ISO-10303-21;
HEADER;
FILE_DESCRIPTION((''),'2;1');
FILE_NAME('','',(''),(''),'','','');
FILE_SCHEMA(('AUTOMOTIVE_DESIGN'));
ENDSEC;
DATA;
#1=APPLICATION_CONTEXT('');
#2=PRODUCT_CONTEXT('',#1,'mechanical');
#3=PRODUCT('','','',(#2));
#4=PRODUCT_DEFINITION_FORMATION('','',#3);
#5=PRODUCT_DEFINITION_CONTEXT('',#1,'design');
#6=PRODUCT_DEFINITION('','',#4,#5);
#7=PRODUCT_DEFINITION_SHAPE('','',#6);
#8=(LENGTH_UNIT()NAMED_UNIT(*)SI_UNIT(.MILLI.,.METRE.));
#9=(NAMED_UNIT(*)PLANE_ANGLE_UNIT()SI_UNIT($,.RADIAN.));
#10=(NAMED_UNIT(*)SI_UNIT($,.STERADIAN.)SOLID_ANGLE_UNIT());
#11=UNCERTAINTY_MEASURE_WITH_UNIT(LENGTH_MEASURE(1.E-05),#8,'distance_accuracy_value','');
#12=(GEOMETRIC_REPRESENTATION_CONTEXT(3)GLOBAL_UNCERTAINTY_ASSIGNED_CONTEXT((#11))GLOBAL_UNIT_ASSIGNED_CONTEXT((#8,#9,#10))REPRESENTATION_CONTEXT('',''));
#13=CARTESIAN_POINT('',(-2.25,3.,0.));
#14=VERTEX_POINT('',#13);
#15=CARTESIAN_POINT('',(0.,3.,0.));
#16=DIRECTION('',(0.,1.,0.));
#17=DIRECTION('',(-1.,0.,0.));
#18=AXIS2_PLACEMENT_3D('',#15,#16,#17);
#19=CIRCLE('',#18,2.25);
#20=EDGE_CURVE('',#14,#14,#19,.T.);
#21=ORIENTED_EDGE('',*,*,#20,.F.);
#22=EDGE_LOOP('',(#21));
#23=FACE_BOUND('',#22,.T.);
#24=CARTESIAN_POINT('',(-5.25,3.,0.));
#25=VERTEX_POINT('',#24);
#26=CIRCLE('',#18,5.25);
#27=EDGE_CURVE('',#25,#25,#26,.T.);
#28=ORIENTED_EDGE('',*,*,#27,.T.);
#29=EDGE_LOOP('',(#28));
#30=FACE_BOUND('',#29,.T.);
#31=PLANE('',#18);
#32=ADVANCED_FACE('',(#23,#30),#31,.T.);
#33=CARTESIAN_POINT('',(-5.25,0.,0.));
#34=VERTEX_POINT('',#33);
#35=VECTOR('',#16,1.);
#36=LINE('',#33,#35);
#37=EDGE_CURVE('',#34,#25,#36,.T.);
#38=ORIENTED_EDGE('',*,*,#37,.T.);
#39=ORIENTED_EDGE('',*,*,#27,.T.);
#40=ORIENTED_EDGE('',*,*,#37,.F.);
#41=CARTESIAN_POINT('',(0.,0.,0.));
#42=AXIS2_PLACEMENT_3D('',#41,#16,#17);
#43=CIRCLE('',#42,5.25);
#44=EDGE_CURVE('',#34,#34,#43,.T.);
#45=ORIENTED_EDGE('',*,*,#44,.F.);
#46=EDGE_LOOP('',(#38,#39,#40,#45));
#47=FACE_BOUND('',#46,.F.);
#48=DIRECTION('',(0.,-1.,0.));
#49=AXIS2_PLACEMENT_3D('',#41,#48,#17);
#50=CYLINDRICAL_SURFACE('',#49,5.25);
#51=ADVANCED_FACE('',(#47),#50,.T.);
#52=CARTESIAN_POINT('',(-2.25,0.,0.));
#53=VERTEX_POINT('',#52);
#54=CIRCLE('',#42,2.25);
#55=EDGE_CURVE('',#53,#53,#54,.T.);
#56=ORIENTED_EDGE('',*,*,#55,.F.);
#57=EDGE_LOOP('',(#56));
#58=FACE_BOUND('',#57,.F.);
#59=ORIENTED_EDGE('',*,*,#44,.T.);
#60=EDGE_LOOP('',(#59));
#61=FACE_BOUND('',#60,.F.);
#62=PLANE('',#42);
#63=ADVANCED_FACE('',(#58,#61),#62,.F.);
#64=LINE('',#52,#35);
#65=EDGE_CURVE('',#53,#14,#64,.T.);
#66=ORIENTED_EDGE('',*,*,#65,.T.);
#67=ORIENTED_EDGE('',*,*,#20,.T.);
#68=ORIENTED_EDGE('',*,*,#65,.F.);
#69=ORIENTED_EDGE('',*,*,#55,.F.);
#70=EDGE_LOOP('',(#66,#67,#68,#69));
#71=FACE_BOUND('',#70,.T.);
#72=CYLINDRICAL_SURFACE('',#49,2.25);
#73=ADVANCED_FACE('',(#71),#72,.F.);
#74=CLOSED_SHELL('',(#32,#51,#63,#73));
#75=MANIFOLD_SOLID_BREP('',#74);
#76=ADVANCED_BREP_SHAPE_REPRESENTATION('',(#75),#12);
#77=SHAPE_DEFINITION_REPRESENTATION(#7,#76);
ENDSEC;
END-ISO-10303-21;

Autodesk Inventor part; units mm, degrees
ref_plane "YZ Plane" through (0, 0, 0) normal (1, 0, 0) x (0, 1, 0)
ref_plane "XZ Plane" through (0, 0, 0) normal (0, 1, 0) x (-1, 0, 0)
ref_plane "XY Plane" through (0, 0, 0) normal (0, 0, 1) x (1, 0, 0)
sketch "Sketch1" plane through (0, 0, 0) normal (0, 1, 0) x (-1, 0, 0)
  circle A0 centre (0, 0) radius 2.25
  circle A1 centre (0, 0) radius 5.25
  dimension "d0" = 4.5
  dimension "d1" = 3
extrude "Extrusion1" add sketch "Sketch1" along normal blind 3
properties part number "Washer_3mm"
